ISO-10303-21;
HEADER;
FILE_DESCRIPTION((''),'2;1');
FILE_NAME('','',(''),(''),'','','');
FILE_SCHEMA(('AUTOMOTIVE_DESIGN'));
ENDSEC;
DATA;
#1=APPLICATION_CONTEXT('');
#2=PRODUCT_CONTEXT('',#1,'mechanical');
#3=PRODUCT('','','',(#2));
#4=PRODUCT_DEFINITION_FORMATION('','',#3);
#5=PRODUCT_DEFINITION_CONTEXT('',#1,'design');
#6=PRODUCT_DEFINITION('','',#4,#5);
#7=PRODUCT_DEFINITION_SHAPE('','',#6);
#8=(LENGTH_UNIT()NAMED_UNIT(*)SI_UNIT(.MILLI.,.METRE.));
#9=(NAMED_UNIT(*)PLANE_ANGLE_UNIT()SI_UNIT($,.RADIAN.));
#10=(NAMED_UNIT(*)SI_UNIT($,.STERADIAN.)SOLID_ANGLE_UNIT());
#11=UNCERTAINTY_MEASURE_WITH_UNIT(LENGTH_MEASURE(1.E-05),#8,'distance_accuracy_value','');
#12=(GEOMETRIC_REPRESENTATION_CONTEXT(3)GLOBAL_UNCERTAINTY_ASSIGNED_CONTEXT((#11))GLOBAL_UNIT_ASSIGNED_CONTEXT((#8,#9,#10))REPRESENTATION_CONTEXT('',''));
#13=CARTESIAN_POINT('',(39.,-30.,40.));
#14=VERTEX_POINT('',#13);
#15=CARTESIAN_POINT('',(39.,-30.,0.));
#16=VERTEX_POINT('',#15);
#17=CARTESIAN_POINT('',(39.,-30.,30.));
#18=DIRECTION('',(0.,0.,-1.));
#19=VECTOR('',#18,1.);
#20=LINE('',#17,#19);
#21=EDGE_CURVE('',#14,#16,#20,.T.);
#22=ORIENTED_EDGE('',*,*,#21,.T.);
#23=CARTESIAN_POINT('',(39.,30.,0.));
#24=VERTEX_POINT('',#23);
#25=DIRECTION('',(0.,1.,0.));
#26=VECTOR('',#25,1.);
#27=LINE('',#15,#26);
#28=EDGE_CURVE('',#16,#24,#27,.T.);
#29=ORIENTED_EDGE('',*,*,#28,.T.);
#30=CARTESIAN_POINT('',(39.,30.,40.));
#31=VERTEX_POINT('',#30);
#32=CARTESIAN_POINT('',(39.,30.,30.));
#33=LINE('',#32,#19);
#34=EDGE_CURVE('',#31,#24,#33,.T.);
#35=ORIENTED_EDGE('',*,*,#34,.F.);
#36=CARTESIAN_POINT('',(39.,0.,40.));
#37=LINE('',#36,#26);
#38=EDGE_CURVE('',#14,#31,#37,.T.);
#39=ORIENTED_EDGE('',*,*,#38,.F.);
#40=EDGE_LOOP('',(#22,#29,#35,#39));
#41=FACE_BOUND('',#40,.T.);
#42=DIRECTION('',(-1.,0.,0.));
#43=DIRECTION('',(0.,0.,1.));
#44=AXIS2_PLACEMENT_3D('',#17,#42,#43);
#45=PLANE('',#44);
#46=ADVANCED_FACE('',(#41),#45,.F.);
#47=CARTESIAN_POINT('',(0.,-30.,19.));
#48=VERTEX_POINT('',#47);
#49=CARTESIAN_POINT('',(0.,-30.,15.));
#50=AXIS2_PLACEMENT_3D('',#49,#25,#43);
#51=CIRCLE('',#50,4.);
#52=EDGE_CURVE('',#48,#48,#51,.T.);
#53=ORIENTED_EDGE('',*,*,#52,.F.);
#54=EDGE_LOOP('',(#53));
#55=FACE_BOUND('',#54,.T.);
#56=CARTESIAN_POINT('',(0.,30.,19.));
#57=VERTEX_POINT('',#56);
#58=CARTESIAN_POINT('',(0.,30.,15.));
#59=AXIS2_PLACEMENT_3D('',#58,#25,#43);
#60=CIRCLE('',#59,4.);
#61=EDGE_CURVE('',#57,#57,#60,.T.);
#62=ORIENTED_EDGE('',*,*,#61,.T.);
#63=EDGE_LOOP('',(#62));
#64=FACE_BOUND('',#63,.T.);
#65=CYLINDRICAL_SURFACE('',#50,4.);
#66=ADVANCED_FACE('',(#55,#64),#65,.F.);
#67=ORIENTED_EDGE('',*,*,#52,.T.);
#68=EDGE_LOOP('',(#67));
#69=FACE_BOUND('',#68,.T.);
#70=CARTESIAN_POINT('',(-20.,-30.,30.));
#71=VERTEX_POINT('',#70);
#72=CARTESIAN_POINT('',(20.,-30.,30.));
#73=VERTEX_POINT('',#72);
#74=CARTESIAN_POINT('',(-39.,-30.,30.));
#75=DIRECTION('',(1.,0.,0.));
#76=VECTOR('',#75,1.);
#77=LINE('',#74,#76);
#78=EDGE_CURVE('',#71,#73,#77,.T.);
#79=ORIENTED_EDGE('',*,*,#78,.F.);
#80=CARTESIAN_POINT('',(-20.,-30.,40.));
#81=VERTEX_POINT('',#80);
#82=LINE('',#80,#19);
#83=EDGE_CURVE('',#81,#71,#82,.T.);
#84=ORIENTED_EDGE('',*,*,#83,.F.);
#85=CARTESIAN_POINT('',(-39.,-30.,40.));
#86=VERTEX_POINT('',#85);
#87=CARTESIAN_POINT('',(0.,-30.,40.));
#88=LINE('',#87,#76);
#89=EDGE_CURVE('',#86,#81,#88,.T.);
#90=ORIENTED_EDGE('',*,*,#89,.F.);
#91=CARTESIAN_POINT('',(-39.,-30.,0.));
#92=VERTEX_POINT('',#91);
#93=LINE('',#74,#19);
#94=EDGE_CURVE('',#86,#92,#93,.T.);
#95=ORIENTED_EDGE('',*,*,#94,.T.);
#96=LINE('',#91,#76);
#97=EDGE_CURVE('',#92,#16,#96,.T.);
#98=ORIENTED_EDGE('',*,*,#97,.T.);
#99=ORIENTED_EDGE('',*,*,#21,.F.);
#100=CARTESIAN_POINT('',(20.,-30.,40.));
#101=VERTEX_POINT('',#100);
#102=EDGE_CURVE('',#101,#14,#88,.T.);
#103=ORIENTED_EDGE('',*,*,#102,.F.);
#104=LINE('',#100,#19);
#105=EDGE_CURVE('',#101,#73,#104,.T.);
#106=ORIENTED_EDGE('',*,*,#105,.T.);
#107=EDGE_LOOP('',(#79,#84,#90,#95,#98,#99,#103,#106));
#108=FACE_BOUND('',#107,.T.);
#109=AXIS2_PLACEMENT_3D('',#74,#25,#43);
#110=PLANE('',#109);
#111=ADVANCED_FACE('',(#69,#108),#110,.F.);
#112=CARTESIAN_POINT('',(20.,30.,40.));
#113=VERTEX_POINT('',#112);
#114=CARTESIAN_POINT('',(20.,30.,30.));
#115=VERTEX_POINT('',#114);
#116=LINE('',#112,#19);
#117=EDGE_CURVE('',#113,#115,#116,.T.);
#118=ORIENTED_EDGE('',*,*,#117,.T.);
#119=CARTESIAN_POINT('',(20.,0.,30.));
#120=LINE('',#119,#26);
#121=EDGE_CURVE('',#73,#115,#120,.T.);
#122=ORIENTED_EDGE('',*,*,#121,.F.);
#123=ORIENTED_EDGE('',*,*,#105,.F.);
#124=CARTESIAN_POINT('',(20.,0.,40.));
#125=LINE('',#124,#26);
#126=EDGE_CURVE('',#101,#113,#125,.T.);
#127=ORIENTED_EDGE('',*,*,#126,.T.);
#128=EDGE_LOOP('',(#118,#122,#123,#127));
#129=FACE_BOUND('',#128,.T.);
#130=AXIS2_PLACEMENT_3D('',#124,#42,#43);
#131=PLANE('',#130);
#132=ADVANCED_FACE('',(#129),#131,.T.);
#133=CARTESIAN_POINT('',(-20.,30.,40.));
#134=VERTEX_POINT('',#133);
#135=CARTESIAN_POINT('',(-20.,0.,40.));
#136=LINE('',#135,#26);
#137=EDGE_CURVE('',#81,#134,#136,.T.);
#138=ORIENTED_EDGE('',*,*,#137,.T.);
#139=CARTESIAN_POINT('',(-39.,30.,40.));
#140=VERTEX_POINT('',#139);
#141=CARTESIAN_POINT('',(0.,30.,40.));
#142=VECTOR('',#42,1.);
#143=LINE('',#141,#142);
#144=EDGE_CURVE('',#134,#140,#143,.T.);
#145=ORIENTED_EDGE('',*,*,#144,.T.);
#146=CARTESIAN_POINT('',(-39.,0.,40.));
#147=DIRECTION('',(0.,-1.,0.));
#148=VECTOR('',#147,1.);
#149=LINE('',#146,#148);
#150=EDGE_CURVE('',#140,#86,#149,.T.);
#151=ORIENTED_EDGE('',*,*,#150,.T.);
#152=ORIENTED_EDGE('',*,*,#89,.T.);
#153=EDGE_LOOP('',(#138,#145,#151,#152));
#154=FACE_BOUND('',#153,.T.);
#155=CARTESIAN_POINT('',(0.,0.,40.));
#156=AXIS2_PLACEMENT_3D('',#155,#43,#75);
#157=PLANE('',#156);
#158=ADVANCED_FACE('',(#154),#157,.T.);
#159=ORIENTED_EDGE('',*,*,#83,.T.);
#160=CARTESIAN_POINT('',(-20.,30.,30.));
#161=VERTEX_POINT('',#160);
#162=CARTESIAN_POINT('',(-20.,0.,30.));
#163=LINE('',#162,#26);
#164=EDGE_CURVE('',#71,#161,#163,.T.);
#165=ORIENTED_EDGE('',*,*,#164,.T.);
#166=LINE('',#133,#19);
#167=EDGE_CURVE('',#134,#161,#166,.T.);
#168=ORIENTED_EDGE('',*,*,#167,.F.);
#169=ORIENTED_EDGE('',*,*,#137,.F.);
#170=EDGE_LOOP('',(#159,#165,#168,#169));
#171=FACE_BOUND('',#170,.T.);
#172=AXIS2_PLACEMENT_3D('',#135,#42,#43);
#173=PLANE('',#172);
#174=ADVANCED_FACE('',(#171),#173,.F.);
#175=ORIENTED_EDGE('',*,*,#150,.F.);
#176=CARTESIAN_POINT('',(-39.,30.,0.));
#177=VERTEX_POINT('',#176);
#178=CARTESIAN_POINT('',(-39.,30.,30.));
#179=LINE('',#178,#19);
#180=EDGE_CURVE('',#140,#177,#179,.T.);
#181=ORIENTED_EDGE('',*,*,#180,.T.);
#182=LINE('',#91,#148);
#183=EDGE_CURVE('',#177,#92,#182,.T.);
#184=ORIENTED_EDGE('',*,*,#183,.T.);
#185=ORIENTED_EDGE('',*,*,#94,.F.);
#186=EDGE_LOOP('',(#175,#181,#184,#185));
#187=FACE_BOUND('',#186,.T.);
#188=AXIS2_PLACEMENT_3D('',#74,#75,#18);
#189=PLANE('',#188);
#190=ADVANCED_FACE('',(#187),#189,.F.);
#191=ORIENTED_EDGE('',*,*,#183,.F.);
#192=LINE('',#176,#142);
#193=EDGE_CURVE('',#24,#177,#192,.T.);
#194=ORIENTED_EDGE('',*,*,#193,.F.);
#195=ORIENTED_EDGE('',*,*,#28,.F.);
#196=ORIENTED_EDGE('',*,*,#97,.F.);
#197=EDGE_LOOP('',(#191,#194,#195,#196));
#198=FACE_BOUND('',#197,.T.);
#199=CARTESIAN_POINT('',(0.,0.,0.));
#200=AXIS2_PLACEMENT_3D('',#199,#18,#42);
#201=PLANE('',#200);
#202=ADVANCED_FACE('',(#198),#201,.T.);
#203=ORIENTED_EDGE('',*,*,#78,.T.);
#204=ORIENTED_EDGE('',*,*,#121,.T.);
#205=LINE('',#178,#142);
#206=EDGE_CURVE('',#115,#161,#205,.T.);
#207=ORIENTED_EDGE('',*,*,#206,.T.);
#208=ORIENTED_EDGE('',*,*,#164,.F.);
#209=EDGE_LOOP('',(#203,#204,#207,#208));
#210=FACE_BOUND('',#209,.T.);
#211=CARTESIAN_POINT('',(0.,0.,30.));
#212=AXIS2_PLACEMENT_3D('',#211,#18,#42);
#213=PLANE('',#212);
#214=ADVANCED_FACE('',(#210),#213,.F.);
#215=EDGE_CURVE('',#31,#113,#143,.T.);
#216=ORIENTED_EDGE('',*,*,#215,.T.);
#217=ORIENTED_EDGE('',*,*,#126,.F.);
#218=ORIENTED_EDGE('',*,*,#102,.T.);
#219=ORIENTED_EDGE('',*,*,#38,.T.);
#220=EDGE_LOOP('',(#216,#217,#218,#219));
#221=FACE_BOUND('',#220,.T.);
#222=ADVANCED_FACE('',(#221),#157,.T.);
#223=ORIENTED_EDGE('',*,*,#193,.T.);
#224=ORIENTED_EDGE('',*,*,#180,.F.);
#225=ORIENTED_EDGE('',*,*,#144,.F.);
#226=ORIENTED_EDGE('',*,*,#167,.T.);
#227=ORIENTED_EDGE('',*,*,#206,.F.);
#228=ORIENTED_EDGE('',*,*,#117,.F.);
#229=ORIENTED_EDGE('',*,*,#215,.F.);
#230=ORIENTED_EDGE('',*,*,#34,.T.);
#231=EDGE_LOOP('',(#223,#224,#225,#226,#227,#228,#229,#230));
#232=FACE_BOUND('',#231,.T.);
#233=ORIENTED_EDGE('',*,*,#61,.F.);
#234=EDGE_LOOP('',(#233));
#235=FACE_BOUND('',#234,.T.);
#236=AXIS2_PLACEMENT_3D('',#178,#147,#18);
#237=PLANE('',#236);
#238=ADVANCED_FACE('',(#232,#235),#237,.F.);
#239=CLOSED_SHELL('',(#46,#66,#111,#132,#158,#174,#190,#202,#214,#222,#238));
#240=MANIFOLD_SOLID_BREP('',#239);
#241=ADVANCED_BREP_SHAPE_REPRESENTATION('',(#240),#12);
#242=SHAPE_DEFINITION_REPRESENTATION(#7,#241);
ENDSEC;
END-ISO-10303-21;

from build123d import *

# Parameters (mm, degrees)
SKETCH_1_W          = 78
SKETCH_1_H          = 60
EXTRUDE_1_DEPTH     = 30
SKETCH_2_W          = 19
SKETCH_2_H          = 60
EXTRUDE_2_DEPTH     = 10
SKETCH_3_R          = 4
CUT_EXTRUDE_1_DEPTH = 60


with BuildPart() as part:
    # 草图1 → 凸台-拉伸1 (new body)
    with BuildSketch(Plane.XY):
        Rectangle(SKETCH_1_W, SKETCH_1_H)
    extrude(amount=EXTRUDE_1_DEPTH)

    # 草图2 → 凸台-拉伸2 (add)
    with BuildSketch(Plane.XY.offset(30)):
        with Locations((29.5, 0)):
            Rectangle(SKETCH_2_W, SKETCH_2_H)
        with Locations((-29.5, 0)):
            Rectangle(SKETCH_2_W, SKETCH_2_H)
    extrude(amount=EXTRUDE_2_DEPTH)

    # 草图3 → 切除-拉伸1 (cut)
    with BuildSketch(Plane(origin=(0, 30, 0), x_dir=(1, 0, 0), z_dir=(0, 1, 0))):
        with Locations(Location((0, -15, 0), (0, 0, 270))):
            Circle(SKETCH_3_R)
    extrude(amount=-CUT_EXTRUDE_1_DEPTH, mode=Mode.SUBTRACT)


solid = part.part
